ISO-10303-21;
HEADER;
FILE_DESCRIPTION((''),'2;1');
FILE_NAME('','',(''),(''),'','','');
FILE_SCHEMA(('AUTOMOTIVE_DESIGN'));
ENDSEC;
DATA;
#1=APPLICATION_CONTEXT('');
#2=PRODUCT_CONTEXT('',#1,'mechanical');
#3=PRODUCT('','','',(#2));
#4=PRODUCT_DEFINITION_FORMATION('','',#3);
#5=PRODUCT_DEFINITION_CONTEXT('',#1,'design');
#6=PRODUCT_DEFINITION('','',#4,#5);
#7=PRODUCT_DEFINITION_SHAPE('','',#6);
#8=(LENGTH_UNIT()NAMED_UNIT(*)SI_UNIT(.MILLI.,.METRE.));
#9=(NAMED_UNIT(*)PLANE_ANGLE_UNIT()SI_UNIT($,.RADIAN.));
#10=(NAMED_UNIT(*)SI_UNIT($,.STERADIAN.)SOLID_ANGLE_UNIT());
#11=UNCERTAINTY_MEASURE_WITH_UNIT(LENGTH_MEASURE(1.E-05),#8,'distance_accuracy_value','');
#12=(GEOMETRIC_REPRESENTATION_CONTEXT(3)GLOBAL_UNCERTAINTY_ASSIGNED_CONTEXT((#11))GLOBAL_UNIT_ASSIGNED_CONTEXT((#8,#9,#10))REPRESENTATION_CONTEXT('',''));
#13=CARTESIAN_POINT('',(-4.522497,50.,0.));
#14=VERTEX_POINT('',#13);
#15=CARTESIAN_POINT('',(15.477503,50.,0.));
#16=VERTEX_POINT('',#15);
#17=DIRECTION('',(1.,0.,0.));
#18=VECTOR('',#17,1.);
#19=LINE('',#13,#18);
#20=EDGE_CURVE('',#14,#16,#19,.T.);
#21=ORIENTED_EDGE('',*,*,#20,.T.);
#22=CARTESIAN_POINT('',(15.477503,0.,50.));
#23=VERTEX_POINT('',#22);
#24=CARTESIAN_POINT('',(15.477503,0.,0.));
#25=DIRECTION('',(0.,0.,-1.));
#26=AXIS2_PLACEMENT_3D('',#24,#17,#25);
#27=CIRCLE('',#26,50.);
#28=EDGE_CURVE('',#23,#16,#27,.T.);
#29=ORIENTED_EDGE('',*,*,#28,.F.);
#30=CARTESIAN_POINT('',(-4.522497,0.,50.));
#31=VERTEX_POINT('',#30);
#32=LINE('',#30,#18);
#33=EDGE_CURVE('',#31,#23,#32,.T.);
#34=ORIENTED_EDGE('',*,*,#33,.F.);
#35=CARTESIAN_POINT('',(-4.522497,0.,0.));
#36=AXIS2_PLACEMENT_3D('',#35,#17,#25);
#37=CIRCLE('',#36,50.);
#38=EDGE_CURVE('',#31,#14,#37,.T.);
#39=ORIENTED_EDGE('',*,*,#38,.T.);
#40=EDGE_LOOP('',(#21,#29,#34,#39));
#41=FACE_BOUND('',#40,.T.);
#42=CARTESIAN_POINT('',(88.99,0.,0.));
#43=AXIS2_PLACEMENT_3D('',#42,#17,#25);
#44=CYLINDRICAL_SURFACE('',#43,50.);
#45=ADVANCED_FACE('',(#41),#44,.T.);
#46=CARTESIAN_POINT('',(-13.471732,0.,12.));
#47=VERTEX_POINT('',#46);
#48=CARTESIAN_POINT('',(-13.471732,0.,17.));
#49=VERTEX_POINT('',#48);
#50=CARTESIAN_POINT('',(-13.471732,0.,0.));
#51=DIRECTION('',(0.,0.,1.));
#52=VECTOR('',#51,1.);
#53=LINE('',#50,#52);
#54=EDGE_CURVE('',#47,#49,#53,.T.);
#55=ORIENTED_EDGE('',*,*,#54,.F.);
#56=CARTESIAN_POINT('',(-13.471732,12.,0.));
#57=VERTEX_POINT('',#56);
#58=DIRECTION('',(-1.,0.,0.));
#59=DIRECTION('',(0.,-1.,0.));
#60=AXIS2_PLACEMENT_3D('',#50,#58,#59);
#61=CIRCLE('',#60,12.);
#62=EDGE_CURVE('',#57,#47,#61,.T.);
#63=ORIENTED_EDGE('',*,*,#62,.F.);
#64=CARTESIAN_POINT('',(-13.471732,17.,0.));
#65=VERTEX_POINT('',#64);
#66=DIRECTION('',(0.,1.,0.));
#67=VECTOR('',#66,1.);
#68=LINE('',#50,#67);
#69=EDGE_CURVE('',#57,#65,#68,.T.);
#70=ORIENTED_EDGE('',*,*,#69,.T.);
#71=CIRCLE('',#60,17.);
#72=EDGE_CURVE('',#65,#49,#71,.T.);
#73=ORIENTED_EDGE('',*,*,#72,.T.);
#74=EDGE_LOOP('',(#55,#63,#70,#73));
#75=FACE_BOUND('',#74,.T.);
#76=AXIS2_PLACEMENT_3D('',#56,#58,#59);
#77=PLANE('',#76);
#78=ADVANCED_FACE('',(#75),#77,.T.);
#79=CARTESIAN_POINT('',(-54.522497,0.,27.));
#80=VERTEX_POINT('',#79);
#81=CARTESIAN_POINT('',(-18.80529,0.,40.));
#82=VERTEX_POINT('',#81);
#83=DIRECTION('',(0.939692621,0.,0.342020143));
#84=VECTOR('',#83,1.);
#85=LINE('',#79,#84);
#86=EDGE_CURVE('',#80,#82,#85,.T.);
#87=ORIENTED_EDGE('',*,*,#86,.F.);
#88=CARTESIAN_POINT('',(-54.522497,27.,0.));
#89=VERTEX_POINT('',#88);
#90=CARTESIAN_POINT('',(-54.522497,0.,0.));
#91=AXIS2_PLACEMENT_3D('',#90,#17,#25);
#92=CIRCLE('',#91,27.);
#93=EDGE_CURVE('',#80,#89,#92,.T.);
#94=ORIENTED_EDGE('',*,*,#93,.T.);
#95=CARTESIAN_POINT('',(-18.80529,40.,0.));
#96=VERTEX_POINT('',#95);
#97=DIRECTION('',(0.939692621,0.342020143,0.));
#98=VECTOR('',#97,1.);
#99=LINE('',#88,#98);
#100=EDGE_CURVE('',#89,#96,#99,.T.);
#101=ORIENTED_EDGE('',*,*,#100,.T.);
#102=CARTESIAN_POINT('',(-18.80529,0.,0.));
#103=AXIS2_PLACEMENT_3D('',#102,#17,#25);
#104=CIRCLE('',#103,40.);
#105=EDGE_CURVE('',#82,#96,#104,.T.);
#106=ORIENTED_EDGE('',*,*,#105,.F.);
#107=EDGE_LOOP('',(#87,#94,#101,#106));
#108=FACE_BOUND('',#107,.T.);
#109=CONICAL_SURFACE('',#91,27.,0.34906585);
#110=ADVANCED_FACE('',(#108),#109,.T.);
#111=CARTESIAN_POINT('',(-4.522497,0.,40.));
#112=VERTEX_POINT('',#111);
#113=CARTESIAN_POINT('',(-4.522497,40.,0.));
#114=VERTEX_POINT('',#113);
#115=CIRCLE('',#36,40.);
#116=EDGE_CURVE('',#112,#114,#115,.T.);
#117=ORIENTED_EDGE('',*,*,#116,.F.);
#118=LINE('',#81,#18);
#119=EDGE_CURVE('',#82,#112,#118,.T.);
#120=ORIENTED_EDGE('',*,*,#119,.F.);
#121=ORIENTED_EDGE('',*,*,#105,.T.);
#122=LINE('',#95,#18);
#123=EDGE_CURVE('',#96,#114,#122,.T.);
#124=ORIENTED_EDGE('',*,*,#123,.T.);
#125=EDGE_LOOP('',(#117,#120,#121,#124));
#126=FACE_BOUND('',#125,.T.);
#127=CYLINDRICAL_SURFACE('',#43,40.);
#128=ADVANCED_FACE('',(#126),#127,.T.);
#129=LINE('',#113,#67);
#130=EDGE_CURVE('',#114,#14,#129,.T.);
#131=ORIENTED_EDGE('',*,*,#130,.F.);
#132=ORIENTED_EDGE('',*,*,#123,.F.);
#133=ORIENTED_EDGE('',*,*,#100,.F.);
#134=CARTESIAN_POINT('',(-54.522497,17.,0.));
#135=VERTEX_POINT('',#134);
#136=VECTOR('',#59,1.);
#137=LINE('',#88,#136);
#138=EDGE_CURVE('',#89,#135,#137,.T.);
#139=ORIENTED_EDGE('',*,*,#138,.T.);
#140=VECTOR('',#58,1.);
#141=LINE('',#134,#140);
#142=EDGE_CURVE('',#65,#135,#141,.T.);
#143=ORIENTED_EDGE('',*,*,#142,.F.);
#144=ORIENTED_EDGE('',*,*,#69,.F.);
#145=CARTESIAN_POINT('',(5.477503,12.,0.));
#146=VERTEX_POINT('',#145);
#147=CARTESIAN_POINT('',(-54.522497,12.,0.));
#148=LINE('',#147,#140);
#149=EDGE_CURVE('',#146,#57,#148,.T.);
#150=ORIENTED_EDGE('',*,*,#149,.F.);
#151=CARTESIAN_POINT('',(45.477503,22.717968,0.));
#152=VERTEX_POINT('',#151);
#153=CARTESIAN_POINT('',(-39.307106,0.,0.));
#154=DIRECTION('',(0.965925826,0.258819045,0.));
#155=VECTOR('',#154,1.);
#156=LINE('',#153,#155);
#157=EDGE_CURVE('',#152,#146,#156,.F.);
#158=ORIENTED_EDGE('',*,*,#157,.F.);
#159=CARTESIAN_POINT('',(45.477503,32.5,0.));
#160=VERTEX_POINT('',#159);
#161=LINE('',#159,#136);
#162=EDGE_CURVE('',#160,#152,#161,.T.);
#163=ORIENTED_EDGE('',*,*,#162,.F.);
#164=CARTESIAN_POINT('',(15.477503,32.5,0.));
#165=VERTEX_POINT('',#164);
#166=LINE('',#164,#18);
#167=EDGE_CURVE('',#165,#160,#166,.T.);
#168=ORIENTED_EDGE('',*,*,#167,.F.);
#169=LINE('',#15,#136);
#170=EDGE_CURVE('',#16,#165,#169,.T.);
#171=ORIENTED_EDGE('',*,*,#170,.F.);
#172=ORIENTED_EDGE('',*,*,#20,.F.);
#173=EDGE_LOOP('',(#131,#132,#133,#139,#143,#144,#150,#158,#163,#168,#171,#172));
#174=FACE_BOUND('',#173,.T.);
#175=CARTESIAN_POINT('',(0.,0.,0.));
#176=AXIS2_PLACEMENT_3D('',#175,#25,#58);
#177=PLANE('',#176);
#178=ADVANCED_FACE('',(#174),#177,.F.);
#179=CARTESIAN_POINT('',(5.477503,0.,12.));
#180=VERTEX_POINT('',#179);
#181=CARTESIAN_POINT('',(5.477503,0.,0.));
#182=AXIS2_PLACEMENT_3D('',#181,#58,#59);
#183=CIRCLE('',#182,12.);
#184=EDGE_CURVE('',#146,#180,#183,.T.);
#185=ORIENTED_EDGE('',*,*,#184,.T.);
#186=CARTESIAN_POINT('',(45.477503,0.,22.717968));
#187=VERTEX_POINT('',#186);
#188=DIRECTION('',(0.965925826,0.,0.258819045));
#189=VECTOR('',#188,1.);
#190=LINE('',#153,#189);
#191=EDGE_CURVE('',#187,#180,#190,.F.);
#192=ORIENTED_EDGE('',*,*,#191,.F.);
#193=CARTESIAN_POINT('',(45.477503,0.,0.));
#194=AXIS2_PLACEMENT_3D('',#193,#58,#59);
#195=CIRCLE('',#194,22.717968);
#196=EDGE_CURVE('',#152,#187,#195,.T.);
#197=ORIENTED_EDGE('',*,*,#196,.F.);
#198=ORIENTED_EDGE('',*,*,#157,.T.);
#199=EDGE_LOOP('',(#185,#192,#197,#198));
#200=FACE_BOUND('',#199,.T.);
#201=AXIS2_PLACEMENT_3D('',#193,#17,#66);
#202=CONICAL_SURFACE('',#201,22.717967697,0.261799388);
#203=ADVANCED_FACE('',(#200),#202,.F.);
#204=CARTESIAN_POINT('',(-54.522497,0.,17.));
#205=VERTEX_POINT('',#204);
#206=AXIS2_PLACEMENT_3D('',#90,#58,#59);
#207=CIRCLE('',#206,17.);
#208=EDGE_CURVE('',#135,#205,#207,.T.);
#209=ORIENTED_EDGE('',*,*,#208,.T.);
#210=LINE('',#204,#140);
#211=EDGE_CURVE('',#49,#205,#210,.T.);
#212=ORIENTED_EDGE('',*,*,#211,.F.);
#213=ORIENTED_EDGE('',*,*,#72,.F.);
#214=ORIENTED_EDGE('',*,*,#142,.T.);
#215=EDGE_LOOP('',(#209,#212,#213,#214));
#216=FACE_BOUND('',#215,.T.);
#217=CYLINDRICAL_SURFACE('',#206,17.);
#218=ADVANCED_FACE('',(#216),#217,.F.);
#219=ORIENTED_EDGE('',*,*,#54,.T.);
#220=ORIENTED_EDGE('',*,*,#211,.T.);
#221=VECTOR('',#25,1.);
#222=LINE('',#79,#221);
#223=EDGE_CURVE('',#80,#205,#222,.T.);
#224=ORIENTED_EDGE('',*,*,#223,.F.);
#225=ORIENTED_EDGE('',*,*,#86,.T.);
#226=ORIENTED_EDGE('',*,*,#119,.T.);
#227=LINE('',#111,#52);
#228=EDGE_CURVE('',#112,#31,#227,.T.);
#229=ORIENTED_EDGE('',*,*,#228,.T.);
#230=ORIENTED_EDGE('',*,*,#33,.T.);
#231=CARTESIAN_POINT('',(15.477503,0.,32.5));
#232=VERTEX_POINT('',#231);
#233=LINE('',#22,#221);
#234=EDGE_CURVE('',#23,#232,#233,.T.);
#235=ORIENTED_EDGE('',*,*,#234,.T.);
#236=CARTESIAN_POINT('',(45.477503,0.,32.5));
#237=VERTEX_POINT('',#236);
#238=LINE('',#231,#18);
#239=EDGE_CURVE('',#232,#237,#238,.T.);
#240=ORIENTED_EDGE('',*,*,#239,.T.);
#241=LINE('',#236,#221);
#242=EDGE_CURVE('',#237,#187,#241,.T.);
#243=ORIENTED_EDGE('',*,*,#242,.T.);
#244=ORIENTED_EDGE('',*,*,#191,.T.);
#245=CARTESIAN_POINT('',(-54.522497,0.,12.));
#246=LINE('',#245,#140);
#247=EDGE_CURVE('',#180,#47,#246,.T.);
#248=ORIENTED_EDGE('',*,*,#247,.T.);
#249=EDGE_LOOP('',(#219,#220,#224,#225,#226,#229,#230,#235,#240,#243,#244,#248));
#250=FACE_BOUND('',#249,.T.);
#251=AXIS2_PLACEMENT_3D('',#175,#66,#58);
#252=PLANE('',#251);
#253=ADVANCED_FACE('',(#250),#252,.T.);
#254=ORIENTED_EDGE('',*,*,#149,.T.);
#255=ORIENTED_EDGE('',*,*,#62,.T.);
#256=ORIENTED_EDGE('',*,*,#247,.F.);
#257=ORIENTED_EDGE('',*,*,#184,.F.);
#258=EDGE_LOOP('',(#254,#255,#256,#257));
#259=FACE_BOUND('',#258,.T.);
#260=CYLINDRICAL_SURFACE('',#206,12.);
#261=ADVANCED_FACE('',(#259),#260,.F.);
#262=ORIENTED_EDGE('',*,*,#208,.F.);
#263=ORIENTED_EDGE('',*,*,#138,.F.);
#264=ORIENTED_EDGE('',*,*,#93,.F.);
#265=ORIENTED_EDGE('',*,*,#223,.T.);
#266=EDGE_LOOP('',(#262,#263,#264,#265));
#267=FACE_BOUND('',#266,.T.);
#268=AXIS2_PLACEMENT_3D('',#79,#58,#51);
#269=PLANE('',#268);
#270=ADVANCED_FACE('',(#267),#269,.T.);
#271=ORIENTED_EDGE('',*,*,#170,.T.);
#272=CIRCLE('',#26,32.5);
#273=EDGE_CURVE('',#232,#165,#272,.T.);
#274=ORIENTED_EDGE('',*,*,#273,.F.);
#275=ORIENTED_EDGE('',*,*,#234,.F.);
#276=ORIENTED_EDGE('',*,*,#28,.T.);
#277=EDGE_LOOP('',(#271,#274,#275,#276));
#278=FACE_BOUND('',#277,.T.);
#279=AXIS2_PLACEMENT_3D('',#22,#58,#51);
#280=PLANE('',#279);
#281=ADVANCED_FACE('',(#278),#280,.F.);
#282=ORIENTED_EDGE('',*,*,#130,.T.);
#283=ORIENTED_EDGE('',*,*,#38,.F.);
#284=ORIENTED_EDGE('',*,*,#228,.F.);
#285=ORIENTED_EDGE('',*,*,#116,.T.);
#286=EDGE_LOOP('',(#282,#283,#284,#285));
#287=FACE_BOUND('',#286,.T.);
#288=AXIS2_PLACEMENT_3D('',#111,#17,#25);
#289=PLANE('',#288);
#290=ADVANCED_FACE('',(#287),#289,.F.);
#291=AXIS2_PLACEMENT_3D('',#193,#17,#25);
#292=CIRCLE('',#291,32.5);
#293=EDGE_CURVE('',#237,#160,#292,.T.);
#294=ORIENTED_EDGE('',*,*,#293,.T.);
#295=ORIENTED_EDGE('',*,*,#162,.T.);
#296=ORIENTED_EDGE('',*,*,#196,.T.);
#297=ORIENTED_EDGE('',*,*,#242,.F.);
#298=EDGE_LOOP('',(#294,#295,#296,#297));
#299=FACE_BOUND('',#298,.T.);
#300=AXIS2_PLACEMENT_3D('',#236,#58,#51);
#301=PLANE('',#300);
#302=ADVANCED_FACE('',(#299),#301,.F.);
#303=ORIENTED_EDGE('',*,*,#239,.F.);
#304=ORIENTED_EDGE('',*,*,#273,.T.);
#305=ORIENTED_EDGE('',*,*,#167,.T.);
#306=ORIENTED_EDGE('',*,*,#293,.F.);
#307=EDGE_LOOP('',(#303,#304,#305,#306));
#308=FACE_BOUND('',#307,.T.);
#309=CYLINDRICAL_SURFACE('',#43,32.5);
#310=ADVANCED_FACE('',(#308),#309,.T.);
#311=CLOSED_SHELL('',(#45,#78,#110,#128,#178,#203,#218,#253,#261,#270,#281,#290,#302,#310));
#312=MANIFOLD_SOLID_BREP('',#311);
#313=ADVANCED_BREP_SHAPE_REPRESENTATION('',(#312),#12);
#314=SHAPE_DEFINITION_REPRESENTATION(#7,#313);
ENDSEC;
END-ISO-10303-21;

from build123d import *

# Parameters (mm, degrees)
REVOLVE1_ANGLE = 270


with BuildPart() as part:
    # Sketch2 → Revolve1 (revolve)
    with BuildSketch(Plane.XY):
        Polygon((-54.522496773, 27), (-54.522496773, 0), (45.477503227, 0), (45.477503227, 32.5), (15.477503227, 32.5), (15.477503227, 50), (-4.522496773, 50), (-4.522496773, 40), (-18.80529032, 40), align=None)
    revolve(axis=Axis((88.99, 0, 0), (-1, 0, 0)), revolution_arc=REVOLVE1_ANGLE)

    # Sketch3 → Cut-Revolve1 (revolve, cut)
    with BuildSketch(Plane.XY):
        Polygon((-54.522496773, 0), (45.477503227, 0), (45.477503227, 22.717967697), (5.477503227, 12), (-13.471731936, 12), (-13.471731936, 17), (-54.522496773, 17), align=None)
    revolve(axis=Axis((-54.522496773, 0, 0), (1, 0, 0)), mode=Mode.SUBTRACT)


solid = part.part
